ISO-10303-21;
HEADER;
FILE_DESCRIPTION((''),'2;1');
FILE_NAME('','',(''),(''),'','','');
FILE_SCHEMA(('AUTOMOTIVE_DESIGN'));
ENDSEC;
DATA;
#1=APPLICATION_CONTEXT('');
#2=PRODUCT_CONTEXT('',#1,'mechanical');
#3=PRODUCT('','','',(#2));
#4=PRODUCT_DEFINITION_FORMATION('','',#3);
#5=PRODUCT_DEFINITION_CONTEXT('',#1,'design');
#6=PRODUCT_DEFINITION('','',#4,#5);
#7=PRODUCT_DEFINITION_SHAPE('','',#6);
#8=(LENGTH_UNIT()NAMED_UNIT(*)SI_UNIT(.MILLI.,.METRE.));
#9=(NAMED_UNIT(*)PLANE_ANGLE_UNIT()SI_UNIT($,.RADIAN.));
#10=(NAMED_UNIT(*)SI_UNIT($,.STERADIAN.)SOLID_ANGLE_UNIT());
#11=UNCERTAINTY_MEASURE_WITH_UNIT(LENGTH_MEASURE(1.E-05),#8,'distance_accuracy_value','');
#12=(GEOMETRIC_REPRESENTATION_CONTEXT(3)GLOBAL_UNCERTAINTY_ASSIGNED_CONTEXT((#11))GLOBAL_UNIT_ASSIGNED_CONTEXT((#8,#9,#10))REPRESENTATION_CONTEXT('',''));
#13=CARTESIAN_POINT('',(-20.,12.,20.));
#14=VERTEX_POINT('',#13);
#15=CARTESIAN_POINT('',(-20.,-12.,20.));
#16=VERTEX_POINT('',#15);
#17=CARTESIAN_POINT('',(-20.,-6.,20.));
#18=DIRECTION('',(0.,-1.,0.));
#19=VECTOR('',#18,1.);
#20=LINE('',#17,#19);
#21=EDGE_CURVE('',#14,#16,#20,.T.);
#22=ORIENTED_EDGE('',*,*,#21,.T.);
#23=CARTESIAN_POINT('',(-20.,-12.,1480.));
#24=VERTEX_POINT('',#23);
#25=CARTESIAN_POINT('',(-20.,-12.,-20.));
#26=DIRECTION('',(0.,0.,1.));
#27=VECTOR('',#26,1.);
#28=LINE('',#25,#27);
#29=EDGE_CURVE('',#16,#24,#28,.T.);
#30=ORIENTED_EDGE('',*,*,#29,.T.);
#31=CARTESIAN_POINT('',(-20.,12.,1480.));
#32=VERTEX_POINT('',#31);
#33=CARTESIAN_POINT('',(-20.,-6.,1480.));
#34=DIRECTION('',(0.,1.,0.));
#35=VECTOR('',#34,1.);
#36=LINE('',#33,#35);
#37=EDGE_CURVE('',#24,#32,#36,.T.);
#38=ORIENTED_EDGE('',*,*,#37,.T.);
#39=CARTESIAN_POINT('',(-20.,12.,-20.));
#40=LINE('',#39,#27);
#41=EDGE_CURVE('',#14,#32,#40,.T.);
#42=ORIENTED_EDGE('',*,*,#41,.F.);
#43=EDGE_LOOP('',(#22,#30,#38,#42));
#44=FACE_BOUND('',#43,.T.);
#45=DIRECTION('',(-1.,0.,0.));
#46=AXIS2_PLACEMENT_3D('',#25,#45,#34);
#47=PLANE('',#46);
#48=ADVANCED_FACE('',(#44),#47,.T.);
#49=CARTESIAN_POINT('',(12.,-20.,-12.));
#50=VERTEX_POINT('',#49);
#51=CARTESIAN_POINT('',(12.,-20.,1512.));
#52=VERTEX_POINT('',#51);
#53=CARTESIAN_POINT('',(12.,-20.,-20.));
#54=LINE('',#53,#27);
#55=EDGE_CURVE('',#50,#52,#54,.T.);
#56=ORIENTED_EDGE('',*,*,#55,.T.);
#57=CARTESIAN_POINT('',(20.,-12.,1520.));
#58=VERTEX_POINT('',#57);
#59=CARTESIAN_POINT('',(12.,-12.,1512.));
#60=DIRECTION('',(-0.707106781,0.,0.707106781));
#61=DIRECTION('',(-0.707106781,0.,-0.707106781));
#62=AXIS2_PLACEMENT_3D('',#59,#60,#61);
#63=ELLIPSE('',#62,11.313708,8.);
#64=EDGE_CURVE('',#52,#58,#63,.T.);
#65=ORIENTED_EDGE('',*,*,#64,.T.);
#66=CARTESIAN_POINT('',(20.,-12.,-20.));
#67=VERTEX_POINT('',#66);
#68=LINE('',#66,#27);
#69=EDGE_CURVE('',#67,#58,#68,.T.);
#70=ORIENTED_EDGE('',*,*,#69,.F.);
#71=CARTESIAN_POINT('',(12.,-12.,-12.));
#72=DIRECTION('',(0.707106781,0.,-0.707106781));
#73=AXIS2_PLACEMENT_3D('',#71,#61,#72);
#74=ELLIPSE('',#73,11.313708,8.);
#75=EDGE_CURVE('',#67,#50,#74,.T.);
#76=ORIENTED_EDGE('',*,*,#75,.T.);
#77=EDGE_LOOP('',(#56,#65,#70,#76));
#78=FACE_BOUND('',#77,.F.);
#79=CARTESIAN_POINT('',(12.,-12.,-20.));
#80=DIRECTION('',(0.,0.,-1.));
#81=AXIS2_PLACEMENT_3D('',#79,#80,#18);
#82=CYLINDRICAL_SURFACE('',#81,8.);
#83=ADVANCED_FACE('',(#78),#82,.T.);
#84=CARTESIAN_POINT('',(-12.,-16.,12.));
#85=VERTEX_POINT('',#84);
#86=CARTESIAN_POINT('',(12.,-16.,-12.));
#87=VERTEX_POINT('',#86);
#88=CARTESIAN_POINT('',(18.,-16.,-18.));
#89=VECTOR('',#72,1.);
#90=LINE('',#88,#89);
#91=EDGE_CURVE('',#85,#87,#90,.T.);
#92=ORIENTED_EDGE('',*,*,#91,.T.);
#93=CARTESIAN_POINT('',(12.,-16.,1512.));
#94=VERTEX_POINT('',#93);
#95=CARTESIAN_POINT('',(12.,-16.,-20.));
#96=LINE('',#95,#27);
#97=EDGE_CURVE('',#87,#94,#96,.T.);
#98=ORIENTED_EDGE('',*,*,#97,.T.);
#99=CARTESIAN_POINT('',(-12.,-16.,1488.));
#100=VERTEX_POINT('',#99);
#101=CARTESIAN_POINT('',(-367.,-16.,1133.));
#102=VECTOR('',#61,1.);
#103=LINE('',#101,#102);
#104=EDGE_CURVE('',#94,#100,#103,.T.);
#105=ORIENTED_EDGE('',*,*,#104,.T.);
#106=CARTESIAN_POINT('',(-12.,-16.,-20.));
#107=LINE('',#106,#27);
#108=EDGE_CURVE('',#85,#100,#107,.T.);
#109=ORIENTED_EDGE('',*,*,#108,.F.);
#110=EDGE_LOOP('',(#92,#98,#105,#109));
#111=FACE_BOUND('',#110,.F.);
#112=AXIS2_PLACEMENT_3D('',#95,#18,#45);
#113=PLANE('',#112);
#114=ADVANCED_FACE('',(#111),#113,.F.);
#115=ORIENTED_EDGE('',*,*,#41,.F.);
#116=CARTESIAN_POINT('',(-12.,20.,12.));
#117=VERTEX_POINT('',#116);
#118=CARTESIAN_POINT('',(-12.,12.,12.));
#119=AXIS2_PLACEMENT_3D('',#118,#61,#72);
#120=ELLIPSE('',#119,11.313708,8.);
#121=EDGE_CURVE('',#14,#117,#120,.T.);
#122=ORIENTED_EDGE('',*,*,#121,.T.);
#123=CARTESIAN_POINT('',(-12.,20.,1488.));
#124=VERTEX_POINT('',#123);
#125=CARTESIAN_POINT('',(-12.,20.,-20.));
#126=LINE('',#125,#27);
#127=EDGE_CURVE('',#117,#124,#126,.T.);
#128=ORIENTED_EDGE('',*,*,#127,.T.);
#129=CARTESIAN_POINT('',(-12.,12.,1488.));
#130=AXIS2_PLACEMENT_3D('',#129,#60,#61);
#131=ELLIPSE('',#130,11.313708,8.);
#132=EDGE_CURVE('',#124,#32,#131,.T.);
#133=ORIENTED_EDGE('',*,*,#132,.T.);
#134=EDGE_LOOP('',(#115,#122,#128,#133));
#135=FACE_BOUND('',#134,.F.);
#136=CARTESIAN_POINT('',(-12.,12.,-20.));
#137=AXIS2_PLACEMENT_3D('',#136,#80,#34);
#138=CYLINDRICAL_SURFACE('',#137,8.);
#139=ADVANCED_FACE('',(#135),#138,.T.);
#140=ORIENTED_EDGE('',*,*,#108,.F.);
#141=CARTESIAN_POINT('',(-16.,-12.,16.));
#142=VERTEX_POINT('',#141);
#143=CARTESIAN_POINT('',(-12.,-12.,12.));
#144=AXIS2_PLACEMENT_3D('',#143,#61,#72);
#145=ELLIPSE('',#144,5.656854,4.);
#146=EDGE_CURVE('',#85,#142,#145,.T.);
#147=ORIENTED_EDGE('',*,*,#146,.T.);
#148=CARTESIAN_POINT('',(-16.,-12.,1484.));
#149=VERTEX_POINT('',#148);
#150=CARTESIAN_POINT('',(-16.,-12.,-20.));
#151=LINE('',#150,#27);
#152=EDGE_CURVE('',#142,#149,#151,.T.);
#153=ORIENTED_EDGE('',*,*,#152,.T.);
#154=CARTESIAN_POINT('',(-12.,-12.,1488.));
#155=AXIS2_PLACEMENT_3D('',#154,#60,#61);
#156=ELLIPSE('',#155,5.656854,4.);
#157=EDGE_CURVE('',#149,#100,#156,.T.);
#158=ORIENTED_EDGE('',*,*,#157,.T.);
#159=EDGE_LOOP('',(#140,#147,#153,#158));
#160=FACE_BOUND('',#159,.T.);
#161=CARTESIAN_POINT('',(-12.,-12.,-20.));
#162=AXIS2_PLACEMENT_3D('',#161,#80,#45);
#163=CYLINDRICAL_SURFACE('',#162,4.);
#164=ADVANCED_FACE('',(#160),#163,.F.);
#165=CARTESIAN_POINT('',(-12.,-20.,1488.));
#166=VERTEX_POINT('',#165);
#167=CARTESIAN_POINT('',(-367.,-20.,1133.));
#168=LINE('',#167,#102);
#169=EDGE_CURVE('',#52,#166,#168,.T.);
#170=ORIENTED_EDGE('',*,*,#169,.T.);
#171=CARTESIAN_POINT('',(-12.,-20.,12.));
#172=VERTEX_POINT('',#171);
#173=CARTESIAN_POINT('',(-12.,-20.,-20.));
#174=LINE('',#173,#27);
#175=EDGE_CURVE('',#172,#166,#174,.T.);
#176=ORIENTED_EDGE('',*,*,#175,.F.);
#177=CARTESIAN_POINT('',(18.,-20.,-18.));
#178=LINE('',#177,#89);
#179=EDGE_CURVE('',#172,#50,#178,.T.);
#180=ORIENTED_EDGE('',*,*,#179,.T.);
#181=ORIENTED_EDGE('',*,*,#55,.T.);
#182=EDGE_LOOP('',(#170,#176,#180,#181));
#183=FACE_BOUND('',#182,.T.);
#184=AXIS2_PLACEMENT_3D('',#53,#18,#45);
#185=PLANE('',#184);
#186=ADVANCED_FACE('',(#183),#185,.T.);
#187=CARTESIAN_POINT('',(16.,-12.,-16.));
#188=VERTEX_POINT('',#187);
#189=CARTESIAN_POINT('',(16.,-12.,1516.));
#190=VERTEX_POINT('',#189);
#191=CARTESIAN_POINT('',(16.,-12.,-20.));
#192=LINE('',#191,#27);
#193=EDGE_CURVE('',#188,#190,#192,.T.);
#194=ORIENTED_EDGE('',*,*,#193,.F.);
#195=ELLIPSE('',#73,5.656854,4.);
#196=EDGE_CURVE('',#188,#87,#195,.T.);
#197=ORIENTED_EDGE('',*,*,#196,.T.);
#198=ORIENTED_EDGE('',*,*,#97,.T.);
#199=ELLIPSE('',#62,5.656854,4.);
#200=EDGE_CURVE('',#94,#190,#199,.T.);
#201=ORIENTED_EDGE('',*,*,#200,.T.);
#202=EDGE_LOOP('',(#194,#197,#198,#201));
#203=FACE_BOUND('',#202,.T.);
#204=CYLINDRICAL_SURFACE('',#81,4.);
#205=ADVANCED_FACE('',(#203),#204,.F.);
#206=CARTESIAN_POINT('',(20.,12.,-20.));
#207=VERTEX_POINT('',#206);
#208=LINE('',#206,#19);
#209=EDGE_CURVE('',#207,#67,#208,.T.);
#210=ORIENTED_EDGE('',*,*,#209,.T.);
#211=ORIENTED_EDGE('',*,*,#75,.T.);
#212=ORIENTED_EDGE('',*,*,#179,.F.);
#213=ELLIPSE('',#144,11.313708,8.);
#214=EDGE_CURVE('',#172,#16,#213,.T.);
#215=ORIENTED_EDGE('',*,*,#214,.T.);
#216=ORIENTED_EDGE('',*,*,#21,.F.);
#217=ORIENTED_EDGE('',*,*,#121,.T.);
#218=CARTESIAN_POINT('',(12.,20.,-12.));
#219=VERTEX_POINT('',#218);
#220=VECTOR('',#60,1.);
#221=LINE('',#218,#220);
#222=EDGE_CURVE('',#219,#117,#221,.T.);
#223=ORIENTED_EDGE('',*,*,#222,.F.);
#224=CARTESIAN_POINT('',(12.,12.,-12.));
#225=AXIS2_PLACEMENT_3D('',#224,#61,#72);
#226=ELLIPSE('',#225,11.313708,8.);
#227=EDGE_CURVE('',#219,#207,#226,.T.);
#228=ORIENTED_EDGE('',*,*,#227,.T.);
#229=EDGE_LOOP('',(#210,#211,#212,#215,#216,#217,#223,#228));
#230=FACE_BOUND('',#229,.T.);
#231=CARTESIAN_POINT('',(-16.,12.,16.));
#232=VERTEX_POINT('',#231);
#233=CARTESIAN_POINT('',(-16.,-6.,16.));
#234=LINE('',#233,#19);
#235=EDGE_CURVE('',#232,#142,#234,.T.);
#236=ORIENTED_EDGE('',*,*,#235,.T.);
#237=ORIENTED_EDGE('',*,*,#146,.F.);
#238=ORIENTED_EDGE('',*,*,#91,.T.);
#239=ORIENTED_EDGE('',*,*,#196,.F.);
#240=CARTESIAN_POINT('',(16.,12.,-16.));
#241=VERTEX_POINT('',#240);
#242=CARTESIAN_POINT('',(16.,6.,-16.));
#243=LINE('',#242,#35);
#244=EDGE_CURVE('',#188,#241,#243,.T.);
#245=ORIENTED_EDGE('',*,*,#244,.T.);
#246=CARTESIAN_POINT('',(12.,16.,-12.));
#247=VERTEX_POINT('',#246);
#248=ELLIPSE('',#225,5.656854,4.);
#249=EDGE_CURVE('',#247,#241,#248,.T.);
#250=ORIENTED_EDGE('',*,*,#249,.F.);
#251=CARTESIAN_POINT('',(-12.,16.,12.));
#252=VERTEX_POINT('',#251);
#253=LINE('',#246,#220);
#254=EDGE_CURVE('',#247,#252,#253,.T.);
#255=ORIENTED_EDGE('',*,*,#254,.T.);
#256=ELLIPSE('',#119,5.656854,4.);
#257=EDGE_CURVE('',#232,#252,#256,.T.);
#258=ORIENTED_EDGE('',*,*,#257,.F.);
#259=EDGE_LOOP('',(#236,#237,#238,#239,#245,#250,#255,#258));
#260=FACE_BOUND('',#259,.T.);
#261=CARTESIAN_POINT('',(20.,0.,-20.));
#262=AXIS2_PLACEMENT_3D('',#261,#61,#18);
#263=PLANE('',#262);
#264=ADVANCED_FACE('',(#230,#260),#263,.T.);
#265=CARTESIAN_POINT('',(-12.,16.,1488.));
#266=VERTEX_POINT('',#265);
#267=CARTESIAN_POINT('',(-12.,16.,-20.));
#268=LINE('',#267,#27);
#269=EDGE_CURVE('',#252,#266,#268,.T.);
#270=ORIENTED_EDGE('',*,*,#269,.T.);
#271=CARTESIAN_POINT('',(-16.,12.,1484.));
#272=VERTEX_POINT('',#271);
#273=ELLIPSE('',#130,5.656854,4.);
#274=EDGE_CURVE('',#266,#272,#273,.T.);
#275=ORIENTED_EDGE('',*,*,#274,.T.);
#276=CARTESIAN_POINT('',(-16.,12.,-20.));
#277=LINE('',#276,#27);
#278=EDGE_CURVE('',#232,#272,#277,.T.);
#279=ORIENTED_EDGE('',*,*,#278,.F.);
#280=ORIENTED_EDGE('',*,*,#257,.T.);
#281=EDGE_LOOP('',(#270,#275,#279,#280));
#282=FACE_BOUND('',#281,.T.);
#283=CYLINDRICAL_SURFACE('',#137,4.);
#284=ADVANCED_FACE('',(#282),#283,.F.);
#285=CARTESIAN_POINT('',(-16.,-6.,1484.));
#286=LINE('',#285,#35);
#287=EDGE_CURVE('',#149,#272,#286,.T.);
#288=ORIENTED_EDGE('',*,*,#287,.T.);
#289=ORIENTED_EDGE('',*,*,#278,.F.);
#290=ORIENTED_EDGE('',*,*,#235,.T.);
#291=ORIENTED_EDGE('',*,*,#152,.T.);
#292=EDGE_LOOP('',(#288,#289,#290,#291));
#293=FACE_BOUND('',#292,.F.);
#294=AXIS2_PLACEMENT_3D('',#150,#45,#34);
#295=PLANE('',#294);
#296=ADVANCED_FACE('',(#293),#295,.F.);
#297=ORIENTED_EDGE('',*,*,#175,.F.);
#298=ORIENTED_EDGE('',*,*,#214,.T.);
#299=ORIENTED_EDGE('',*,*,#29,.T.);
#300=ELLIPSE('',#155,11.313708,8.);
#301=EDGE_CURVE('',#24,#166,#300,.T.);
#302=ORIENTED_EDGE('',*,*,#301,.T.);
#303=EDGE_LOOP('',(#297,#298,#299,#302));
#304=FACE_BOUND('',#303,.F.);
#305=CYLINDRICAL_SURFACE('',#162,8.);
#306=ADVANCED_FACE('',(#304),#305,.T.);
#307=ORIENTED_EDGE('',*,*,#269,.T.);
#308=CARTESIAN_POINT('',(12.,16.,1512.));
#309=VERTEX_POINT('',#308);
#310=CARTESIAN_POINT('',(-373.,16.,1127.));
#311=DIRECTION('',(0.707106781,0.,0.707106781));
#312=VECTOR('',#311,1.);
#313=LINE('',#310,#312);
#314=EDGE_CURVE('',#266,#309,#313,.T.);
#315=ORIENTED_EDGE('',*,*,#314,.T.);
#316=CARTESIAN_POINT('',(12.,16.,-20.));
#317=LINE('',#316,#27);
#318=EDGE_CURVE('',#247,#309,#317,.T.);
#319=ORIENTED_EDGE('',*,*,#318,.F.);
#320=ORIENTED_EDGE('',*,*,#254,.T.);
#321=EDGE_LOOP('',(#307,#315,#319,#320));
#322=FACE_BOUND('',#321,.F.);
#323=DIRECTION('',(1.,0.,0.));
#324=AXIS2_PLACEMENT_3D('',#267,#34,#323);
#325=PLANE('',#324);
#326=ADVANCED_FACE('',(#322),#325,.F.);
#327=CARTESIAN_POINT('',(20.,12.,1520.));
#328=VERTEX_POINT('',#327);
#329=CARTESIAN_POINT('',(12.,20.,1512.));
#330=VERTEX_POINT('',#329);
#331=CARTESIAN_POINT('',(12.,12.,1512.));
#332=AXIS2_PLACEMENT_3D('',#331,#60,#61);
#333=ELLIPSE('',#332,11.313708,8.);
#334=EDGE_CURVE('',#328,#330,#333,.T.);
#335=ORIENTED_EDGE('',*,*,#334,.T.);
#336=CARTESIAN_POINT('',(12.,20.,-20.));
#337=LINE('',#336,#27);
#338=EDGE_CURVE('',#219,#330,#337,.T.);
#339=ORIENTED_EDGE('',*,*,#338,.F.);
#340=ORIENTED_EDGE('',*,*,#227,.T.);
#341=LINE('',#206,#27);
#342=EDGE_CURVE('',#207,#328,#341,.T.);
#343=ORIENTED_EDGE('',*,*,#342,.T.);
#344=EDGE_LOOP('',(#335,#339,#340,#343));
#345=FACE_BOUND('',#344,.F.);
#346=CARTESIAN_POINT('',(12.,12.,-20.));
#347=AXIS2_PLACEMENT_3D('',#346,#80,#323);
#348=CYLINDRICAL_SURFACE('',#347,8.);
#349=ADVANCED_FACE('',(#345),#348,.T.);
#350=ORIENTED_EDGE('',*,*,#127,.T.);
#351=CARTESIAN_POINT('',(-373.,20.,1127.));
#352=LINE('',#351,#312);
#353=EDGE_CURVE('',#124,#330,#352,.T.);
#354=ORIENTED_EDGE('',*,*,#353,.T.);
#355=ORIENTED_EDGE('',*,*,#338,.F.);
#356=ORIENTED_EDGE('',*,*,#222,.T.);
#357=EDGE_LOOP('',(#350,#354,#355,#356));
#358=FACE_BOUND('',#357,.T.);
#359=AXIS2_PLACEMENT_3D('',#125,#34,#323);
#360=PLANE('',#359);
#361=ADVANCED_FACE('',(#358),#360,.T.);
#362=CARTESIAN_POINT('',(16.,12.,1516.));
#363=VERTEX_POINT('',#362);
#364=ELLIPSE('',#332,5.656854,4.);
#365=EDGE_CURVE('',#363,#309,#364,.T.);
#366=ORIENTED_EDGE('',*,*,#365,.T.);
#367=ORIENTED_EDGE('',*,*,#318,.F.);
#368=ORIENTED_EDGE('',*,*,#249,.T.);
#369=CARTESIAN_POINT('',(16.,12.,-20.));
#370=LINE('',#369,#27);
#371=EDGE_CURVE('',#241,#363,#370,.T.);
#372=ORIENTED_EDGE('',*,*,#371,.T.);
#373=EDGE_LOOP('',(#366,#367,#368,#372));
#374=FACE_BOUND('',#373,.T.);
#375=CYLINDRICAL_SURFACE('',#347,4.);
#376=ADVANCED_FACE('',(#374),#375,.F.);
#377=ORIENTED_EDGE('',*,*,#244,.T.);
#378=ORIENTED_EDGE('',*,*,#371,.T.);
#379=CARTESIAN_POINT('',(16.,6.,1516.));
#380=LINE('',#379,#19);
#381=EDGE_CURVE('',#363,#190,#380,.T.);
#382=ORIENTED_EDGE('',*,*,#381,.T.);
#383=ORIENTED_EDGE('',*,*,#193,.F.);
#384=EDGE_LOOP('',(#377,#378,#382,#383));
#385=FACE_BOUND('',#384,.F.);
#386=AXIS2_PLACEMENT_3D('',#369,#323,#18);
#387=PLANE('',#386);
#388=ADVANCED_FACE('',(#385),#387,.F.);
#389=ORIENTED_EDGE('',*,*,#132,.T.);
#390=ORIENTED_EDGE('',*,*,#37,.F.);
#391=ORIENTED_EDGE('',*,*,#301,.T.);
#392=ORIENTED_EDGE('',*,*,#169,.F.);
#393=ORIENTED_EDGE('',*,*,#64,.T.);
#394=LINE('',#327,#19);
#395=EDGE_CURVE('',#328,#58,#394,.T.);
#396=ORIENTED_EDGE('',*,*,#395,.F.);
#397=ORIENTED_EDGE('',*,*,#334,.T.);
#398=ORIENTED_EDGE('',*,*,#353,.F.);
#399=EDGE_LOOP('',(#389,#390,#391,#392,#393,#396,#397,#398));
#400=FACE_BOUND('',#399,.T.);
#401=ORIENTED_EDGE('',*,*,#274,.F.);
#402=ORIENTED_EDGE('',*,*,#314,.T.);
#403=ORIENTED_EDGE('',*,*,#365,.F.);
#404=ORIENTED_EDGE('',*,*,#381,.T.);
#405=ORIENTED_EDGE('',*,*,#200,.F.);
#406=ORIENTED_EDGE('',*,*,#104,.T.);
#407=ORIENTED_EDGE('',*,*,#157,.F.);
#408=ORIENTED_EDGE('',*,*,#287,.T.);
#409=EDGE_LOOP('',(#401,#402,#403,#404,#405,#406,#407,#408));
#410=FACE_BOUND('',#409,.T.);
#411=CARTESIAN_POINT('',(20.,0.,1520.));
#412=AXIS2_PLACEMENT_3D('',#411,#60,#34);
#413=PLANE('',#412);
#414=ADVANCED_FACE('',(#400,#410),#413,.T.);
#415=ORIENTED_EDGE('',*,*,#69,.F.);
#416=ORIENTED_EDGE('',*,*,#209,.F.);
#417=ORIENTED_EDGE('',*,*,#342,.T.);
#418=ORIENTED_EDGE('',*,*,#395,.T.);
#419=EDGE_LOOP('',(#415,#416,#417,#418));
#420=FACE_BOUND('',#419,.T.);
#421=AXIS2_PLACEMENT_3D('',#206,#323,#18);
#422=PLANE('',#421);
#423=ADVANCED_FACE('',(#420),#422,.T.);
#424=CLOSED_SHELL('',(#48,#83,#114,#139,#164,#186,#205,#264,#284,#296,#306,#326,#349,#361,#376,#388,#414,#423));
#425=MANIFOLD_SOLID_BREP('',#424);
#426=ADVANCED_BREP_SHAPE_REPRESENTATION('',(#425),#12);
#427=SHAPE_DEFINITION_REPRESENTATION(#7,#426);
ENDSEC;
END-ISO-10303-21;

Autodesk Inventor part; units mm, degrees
ref_plane "Start plane" through (0, 0, -20) normal (0, 0, 1) x (1, 0, 0)
ref_plane "End plane" through (0, 0, 1520) normal (0, 0, 1) x (1, 0, 0)
sketch "Sketch" plane through (0, 0, 0) normal (0, 0, 1) x (1, 0, 0)
  line L0 (-20, -12) -> (-20, 12)
  line L1 (-12, 20) -> (12, 20)
  line L2 (20, 12) -> (20, -12)
  line L3 (12, -20) -> (-12, -20)
  arc A0 (-20, -12) -> (-12, -20) centre (-12, -12) ccw
  arc A1 (-12, 20) -> (-20, 12) centre (-12, 12) ccw
  arc A2 (20, 12) -> (12, 20) centre (12, 12) ccw
  arc A3 (12, -20) -> (20, -12) centre (12, -12) ccw
  arc A4 (-12, 16) -> (-16, 12) centre (-12, 12) ccw
  line L4 (-12, 16) -> (12, 16)
  arc A5 (16, 12) -> (12, 16) centre (12, 12) ccw
  line L5 (16, 12) -> (16, -12)
  arc A6 (12, -16) -> (16, -12) centre (12, -12) ccw
  line L6 (12, -16) -> (-12, -16)
  arc A7 (-16, -12) -> (-12, -16) centre (-12, -12) ccw
  line L7 (-16, -12) -> (-16, 12)
  line L8 (0, 30.3196) -> (0, -30.3196) construction
  line L9 (-30.3196, 0) -> (30.3196, 0) construction
  dimension "d7" = 8
  dimension "d10" = 40
  dimension "d11" = 40
  dimension "d12" = 4
  dimension "d15" = 20
  dimension "d16" = 20
extrude "Body" add sketch "Sketch" along normal up to surface (1540 mm away) from surface at -20
sketch "Sketch3" plane through (0, 0, 0) normal (0, 0, 1) x (1, 0, 0)
  line L0 (0, 0) -> (10, 0)
ref_plane "Work Plane3" through (0, 0, 0) normal (0, -1, 0) x (1, 0, 0)
sketch "Sketch4" plane through (0, 0, 0) normal (0, -1, 0) x (1, 0, 0)
  line L0 (-2, -20) -> (12, -20)
  line L1 (-2, 1520) -> (12, 1520)
  dimension "d18" = 1540
ref_plane "Work Plane4" through (20, 0, -20) normal (-0.7071, 0, -0.7071) x (-0.7071, 0, 0.7071)
split "Split1" plane through (20, 0, -20) removes the side toward (-0.7071, 0, -0.7071)
ref_plane "Work Plane5" through (20, 0, 1520) normal (-0.7071, 0, 0.7071) x (0.7071, 0, 0.7071)
split "Split2" plane through (20, 0, 1520) removes the side toward (-0.7071, 0, 0.7071)
equation "\"d7\" = G_IR"
equation "\"d10\" = G_H"
equation "\"d11\" = G_W"
equation "\"d12\" = G_T"
equation "\"d15\" = 0.5 * d10"
equation "\"d16\" = 0.5 * d11"
equation "\"d3\" = G_L"
equation "\"G_W\" = 40"
equation "\"G_H\" = 40"
equation "\"G_T\" = 4"
equation "\"G_IR\" = 8"
equation "\"G_L\" = d18"
equation "\"G_OFFSET_START\" = 20"
equation "\"G_OFFSET_END\" = 20"
equation "\"d13\" = -G_OFFSET_START"
equation "\"d14\" = G_OFFSET_END + B_L"
equation "\"B_L\" = 1500"
properties part number "DIN EN 10219-2 - 40 x 40 x 4  - 1540" material "Steel, Mild"
